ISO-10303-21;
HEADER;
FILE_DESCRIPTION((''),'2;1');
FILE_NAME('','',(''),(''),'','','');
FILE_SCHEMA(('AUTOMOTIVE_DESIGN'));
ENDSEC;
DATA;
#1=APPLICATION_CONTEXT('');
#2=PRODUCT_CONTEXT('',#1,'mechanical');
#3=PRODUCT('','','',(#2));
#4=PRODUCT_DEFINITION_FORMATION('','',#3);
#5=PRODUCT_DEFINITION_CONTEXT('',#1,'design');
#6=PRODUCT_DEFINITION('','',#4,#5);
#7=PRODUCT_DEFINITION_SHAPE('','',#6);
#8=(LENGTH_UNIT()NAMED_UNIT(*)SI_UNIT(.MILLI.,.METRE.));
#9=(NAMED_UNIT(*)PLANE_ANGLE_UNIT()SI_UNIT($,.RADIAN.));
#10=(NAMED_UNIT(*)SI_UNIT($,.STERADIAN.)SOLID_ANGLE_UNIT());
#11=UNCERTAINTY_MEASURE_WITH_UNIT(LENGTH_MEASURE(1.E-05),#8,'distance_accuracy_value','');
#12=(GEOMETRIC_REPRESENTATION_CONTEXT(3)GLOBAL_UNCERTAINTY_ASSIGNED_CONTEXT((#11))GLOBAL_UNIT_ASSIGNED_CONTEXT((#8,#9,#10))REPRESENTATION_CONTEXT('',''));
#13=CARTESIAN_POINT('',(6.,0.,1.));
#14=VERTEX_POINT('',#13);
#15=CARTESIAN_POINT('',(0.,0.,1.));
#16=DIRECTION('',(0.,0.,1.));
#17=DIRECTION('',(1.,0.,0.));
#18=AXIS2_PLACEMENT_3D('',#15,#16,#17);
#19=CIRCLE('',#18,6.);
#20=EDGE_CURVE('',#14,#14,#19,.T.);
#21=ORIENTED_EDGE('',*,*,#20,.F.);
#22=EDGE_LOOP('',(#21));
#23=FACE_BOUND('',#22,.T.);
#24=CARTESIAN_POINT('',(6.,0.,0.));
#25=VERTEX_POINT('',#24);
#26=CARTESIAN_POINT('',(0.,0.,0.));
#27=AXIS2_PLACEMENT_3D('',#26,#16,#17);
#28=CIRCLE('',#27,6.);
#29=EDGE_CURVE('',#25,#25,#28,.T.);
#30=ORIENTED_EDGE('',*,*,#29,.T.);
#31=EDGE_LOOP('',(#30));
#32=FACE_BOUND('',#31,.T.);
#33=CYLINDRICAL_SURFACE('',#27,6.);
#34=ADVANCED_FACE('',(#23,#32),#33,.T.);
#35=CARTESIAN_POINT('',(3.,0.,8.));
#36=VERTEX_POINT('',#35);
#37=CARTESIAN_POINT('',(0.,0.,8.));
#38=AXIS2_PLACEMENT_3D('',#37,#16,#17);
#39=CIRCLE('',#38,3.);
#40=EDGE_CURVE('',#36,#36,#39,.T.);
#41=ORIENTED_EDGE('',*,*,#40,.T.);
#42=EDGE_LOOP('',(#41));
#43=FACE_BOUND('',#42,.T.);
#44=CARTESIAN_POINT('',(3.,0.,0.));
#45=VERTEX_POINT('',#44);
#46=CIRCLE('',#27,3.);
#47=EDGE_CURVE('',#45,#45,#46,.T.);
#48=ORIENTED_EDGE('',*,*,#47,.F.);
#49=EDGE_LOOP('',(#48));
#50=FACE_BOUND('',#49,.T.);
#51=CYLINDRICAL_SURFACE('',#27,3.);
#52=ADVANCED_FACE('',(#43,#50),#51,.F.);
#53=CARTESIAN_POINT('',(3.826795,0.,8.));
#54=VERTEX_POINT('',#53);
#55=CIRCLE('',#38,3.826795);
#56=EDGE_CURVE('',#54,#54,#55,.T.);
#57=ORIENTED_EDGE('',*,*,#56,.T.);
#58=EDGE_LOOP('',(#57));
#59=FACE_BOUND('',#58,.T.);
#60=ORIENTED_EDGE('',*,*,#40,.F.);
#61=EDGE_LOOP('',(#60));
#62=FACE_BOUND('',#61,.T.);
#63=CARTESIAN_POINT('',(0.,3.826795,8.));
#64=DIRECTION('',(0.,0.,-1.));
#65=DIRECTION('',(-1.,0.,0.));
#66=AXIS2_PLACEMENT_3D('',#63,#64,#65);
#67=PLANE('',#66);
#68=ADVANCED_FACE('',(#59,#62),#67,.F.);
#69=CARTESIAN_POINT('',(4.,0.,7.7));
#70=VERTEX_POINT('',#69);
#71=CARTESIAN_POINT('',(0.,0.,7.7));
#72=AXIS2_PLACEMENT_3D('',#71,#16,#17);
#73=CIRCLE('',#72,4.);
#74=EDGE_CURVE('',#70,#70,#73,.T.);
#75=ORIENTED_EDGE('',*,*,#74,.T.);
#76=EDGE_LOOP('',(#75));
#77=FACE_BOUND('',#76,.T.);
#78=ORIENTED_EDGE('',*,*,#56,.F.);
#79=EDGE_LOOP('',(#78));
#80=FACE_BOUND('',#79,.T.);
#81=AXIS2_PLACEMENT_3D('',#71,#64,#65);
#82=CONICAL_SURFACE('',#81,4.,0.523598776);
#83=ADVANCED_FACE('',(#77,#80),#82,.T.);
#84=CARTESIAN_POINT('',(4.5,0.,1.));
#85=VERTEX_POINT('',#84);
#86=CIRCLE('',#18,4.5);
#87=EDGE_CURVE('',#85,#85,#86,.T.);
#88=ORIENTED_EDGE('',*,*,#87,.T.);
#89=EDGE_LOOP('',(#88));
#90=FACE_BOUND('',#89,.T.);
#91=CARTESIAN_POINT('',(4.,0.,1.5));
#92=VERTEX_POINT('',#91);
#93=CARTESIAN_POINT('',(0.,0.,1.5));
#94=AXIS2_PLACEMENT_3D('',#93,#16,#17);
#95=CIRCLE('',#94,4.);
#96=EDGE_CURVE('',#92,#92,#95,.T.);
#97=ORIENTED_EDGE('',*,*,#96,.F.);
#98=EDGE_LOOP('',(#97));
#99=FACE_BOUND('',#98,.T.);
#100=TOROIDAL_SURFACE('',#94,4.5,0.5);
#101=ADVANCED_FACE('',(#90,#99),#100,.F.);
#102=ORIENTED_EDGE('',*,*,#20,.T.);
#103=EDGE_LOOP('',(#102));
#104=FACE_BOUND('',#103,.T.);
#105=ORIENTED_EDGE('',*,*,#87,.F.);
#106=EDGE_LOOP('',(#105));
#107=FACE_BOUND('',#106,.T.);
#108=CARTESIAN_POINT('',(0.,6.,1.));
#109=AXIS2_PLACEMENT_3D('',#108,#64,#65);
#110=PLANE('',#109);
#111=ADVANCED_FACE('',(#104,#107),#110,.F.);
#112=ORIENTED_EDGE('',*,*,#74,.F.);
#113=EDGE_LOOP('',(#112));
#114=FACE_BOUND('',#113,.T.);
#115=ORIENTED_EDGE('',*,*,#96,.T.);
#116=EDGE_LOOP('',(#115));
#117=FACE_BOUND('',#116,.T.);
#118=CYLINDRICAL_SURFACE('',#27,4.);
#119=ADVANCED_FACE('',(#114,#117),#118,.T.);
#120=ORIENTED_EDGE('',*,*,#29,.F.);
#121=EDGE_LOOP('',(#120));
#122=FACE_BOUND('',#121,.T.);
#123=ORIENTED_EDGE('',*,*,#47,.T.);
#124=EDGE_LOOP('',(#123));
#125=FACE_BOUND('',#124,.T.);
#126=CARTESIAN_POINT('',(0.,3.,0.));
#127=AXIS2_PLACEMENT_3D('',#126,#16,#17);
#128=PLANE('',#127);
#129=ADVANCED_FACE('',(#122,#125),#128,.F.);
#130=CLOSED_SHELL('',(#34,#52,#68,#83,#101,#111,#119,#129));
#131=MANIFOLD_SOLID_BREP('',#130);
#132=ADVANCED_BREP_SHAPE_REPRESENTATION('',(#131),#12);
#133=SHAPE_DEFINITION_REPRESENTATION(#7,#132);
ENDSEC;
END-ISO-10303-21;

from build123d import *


with BuildPart() as part:
    # Sketch1 → Revolve1 (revolve)
    with BuildSketch(Plane(origin=(0, 0, 0), x_dir=(0, 0, -1), z_dir=(1, 0, 0))):
        with BuildLine():
            Line((0, 6), (-1, 6))
            Line((-1, 6), (-1, 4.5))
            ThreePointArc((-1, 4.5), (-1.146446609, 4.146446609), (-1.5, 4))
            Line((-1.5, 4), (-7.7, 4))
            Line((-7.7, 4), (-8, 3.826794919))
            Line((-8, 3.826794919), (-8, 3))
            Line((-8, 3), (0, 3))
            Line((0, 3), (0, 6))
        make_face()
    revolve(axis=Axis((0, 0, 0), (0, 0, -1)))


solid = part.part
